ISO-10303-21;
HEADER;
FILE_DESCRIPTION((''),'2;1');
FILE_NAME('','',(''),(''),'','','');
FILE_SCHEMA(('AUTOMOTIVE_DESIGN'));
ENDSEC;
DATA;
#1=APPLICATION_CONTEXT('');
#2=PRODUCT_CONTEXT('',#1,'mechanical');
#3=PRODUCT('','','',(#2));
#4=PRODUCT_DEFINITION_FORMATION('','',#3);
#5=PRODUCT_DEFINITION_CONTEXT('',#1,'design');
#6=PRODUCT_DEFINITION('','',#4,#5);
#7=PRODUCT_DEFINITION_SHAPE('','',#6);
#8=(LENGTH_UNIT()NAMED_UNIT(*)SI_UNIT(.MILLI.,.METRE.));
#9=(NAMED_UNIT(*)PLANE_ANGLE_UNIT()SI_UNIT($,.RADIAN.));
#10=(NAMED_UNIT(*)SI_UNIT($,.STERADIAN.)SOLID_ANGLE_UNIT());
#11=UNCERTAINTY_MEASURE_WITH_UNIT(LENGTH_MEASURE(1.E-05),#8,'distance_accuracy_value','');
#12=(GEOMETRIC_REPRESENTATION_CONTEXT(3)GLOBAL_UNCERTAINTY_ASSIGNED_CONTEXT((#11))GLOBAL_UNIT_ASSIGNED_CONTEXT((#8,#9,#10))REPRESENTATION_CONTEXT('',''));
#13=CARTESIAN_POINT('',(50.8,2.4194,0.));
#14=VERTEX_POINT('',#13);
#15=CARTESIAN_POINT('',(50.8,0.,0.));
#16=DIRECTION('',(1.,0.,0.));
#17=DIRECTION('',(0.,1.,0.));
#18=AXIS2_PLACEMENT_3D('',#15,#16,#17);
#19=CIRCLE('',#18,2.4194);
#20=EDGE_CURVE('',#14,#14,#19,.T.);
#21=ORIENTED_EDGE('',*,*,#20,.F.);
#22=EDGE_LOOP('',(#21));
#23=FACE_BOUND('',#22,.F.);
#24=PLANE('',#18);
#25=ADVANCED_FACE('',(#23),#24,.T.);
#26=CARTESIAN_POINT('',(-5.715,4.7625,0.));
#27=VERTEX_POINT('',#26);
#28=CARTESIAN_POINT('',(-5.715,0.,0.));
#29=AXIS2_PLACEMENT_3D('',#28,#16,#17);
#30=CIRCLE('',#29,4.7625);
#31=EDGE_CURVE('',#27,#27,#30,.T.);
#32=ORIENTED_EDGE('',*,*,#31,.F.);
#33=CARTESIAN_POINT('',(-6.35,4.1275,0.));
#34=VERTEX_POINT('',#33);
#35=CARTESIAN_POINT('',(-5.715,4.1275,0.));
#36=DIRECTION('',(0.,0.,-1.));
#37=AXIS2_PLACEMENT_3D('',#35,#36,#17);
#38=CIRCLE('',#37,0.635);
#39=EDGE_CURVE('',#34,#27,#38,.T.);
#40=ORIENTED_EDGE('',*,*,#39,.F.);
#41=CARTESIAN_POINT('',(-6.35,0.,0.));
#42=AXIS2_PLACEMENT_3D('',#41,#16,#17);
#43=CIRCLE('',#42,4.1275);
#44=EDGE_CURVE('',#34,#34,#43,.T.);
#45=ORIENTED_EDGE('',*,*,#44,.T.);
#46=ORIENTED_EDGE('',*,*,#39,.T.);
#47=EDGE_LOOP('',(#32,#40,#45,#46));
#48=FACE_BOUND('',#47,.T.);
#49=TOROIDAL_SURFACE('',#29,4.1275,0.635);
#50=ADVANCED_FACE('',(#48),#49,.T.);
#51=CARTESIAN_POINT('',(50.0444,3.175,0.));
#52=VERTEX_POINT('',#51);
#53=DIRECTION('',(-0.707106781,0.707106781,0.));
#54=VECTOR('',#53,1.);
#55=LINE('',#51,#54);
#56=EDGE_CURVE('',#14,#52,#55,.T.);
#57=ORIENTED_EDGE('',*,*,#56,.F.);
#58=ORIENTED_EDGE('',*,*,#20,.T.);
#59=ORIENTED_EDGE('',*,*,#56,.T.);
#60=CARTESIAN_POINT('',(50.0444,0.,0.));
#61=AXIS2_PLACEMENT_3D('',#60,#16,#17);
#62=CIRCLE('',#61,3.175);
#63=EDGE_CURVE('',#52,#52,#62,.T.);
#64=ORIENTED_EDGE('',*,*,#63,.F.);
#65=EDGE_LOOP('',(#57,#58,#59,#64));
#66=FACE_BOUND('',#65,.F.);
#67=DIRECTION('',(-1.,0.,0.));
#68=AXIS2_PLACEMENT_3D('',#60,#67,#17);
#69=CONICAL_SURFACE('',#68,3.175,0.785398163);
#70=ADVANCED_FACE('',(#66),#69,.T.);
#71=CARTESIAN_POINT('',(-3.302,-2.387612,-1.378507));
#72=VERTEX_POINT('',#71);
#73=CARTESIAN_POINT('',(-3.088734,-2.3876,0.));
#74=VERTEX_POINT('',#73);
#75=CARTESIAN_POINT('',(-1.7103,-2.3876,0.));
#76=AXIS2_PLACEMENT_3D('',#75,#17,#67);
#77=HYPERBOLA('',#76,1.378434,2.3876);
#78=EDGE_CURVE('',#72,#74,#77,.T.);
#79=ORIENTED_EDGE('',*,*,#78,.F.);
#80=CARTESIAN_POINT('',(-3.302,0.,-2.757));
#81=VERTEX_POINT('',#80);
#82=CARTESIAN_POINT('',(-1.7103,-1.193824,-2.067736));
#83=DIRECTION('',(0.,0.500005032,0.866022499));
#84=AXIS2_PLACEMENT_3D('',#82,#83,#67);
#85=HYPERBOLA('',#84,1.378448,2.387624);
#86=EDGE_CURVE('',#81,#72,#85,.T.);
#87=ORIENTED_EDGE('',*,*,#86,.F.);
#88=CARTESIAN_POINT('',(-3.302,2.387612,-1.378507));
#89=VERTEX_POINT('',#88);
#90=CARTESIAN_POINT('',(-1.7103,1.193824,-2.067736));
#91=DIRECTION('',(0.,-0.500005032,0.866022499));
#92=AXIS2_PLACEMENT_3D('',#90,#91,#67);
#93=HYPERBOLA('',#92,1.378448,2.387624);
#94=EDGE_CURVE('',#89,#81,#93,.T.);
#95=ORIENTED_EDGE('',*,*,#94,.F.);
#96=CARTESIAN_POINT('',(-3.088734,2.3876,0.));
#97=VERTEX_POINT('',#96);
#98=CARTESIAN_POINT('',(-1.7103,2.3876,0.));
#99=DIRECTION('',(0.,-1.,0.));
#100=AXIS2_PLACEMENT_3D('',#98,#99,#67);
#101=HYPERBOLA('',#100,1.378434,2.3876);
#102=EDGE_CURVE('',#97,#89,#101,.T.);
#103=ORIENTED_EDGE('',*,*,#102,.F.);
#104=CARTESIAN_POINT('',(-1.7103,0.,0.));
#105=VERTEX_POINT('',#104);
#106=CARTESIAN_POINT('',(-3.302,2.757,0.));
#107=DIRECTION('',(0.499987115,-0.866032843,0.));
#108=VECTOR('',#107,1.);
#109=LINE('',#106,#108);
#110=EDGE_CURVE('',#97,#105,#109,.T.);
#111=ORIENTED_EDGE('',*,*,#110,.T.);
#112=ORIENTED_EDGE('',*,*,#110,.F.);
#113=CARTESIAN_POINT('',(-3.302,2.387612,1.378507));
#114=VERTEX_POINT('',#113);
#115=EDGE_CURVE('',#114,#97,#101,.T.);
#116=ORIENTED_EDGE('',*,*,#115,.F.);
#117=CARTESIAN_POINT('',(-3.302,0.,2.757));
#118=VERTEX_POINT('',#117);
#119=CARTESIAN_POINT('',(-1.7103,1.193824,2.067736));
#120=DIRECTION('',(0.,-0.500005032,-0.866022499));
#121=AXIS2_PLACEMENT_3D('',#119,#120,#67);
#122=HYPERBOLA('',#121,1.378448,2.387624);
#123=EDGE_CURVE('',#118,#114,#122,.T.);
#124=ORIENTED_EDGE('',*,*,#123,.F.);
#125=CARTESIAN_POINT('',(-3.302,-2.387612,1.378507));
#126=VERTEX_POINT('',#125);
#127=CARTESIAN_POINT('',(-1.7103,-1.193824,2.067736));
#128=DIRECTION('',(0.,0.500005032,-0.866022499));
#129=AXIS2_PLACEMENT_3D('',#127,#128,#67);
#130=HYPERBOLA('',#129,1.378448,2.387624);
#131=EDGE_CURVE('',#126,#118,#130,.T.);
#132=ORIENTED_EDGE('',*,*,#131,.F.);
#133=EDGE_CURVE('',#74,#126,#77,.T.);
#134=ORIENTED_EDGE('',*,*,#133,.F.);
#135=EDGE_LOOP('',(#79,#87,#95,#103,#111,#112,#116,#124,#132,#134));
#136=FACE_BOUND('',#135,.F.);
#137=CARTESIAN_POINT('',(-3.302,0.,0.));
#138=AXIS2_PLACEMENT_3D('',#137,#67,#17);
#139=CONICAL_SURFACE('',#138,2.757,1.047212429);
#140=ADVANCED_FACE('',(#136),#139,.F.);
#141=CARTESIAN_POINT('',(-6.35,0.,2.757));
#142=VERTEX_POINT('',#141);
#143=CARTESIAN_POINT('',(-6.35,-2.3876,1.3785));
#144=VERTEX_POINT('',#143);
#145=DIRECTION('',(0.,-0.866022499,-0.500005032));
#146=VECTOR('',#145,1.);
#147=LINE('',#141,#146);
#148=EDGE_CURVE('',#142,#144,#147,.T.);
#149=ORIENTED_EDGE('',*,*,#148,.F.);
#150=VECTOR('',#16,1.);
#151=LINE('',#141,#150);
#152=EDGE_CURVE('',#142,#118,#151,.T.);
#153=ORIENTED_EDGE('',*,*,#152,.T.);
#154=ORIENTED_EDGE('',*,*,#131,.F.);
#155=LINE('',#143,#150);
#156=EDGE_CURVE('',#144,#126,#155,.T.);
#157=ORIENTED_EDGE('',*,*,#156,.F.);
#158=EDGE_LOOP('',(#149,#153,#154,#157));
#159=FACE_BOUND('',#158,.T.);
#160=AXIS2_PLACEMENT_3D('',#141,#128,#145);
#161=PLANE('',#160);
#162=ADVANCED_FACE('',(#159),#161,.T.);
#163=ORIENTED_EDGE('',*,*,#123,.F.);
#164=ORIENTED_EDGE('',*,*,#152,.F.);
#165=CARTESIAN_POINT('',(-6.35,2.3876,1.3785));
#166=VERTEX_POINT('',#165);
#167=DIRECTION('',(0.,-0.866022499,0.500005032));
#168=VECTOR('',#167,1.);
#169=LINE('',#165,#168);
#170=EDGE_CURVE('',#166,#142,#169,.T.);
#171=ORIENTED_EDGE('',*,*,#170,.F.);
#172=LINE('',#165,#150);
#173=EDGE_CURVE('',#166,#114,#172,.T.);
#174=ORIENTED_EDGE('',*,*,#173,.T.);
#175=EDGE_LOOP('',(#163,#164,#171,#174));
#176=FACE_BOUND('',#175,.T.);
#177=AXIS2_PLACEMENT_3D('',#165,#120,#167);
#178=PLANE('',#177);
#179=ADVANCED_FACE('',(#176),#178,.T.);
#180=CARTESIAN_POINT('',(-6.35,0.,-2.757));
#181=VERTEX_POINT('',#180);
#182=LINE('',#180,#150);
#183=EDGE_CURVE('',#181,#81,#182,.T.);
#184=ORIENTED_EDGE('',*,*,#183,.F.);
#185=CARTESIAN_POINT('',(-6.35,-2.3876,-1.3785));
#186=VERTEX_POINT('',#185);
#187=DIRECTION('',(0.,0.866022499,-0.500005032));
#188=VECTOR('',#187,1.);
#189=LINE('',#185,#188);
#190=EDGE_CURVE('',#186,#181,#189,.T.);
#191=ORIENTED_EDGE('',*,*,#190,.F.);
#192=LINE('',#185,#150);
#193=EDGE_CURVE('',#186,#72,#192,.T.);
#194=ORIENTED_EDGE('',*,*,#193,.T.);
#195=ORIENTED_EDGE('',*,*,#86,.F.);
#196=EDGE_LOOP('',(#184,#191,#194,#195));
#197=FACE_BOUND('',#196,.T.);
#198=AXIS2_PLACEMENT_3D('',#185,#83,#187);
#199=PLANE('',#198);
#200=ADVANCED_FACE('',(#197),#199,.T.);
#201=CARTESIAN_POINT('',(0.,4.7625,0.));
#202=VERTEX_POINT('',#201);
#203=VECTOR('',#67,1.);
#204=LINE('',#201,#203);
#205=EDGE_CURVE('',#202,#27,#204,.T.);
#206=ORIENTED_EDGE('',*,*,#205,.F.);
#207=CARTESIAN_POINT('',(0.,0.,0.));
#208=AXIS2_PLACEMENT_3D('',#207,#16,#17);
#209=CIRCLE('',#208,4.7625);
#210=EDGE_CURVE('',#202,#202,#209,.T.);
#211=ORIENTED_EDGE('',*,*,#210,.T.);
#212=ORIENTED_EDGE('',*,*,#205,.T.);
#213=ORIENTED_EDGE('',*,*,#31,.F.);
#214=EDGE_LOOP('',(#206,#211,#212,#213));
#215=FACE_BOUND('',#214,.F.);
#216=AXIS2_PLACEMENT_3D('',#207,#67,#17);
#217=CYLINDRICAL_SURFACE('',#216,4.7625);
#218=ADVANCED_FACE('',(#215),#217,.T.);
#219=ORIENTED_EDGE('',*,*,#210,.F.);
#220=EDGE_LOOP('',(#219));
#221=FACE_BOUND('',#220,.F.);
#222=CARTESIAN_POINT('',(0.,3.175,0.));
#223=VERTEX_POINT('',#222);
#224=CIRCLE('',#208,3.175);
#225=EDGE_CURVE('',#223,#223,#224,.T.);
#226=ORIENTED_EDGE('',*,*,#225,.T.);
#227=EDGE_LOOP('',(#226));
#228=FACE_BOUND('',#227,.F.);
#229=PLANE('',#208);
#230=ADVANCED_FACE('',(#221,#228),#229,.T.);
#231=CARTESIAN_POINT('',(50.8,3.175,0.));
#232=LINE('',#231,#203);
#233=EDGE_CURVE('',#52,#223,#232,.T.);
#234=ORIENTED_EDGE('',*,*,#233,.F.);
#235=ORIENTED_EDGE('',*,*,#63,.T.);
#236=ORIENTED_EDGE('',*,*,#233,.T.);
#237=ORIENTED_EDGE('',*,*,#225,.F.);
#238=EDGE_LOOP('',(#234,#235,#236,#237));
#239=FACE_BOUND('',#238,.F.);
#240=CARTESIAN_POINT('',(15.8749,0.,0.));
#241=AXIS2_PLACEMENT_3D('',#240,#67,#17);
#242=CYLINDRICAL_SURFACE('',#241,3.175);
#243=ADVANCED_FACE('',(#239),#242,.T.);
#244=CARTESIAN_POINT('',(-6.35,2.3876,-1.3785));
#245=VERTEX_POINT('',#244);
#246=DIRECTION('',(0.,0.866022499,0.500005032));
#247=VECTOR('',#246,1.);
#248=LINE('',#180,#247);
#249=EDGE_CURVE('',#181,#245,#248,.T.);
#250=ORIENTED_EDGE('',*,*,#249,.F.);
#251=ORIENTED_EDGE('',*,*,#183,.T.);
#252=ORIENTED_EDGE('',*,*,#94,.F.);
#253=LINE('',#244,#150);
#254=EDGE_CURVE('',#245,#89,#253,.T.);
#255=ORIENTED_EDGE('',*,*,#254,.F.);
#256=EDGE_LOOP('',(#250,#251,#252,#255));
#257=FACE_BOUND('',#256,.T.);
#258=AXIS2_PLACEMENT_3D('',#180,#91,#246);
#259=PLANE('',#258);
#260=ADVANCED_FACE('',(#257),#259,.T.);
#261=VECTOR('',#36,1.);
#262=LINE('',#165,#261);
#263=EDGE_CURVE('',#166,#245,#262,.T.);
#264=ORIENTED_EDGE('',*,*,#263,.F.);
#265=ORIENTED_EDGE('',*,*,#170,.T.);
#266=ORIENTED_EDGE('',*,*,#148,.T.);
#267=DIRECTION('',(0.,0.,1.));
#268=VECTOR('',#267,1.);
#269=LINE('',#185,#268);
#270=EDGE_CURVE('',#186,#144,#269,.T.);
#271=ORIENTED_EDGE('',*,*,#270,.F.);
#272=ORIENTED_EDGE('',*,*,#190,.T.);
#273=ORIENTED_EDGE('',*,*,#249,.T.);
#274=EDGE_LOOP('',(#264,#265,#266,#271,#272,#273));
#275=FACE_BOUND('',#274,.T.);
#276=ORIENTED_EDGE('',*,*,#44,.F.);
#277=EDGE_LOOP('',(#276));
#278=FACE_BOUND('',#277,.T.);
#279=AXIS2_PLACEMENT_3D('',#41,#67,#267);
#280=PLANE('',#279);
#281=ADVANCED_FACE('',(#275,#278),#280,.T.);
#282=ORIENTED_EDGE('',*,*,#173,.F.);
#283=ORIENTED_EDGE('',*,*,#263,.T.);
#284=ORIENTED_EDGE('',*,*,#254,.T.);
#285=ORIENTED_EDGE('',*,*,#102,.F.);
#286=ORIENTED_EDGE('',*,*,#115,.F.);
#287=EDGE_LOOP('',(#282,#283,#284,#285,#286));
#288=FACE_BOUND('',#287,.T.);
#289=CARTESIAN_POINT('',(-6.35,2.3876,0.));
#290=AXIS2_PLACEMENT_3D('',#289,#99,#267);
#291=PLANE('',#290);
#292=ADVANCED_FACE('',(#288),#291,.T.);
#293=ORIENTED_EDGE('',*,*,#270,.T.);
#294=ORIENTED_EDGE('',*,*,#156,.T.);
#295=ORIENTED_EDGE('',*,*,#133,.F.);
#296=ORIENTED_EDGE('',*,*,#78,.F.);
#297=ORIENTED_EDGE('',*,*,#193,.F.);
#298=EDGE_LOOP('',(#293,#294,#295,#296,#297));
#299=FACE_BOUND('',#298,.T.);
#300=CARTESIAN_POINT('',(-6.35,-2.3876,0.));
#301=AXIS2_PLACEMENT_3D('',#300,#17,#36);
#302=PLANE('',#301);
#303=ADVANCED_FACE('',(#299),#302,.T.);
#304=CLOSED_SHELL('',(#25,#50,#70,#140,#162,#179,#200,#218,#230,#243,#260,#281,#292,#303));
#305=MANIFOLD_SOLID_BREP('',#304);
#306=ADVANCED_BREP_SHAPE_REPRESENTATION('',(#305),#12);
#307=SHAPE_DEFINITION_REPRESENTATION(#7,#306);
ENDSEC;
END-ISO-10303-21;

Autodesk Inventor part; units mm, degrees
ref_plane "YZ Plane" through (0, 0, 0) normal (1, 0, 0) x (0, 1, 0)
ref_plane "XZ Plane" through (0, 0, 0) normal (0, 1, 0) x (-1, 0, 0)
sketch "Sketch1" plane through (0, 0, 0) normal (0, 0, 1) x (1, 0, 0)
  line L0 (-1.7103, 0) -> (50.8, 0)
  line L1 (50.8, 0) -> (50.8, 3.175)
  line L2 (50.8, 3.175) -> (19.05, 3.175)
  line L3 (19.05, 3.175) -> (15.8749, 3.175)
  line L4 (15.8749, 3.175) -> (0, 3.175)
  line L5 (0, 3.175) -> (0, 4.7625)
  line L6 (0, 4.7625) -> (-6.35, 4.7625)
  line L7 (-6.35, 4.7625) -> (-6.35, 2.757)
  line L8 (-6.35, 2.757) -> (-3.302, 2.757)
  line L9 (-3.302, 2.757) -> (-1.7103, 0)
  line L10 (-16.51, 0) -> (54.61, 0) projected
  line L11 (0, -0.9525) -> (0, 5.715) projected
  line L12 (19.05, 3.175) -> (0, 3.175) construction
  dimension "d1" = 31.75
  dimension "d2" = 3.1751
  dimension "d3" = 6.35
  dimension "d4" = 3.048
  dimension "d5" = 60
  dimension "d6" = 6.35
  dimension "d7" = 6.35
  dimension "d8" = 5.5139
  dimension "d9" = 9.525
  dimension "d26" = 50.8
revolve "Body" add sketch "Sketch1" angle 360 about axis through (-1.7103, 0, 0) along (1, 0, 0)
sketch "Sketch2" plane through (-6.35, 0, 0) normal (-1, 0, 0) x (0, 0, 1)
  circle A0 centre (0, 0) radius 2.757 projected
  line L0 (0, -6.6675) -> (0, 6.6675) projected
  line L1 (-6.6675, 0) -> (6.6675, 0) projected
  line L2 (2.757, 0) -> (1.3785, -2.3876)
  line L3 (1.3785, -2.3876) -> (-1.3785, -2.3876)
  line L4 (-1.3785, -2.3876) -> (-2.757, 0)
  line L5 (-2.757, 0) -> (-1.3785, 2.3876)
  line L6 (-1.3785, 2.3876) -> (1.3785, 2.3876)
  line L7 (1.3785, 2.3876) -> (2.757, 0)
extrude "Slot" add sketch "Sketch2" against normal up to next contours L7 A0 | A0 L2 | L6 L0 A0 | A0 L0 L3 | L0 L6 A0 | A0 L3 L0 | L4 A0 | A0 L5
fillet "Fillet1" radius 0.635 1 edges at (-6.35, -4.7625, 0)
thread "Thread" size "1/4-20 UNC" class "2A" standard "ANSI Unified Screw Threads" length 31.75
chamfer "Chamfer1" distance 0.7556 distance2 0.7556 1 edges at (50.8, -3.175, 0) measured on face at (50.8, -0.8017, -1.6073)
ref_plane "Work Plane1" through (29, 0, 0) normal (0, -1, 0) x (1, 0, 0)
equation "\"d1\" = GEL"
equation "\"d3\" = KOH"
equation "\"d4\" = INTI"
equation "\"d6\" = GD"
equation "\"d7\" = BDM"
equation "\"d8\" = 1.1547 * SW"
equation "\"d9\" = KOD"
equation "\"d26\" = NLG"
equation "\"d17\" = RR"
equation "\"d13\" = GEL"
equation "\"d15\" = -0.5 * SPD + 0.5 * GD"
equation "\"d16\" = GUL"
equation "\"GD\" = 6.35"
equation "\"NLG\" = 50.8"
equation "\"GEL\" = 31.75"
equation "\"KOD\" = 9.525"
equation "\"KOH\" = 6.35"
equation "\"INTI\" = 3.048"
equation "\"GAL\" = 3.175"
equation "\"GUL\" = 0.75565"
equation "\"BDM\" = 6.35"
equation "\"SW\" = 4.7752"
equation "\"RR\" = 0.635"
equation "\"SPD\" = 4.8387"
equation "\"R\" = 0.1778"
equation "\"PHH\" = 0.2032"
equation "\"GD1\" = SPD"
equation "\"THREADDIA\" = 6.35"
equation "\"FAWI\" = 45deg"
equation "\"KOH1\" = 5.715"
equation "\"NND\" = 6.35"
equation "\"TOA\" = 30deg"
equation "\"E0\" = 1.155 * SW"
properties part number "am-1058" material "Steel"
